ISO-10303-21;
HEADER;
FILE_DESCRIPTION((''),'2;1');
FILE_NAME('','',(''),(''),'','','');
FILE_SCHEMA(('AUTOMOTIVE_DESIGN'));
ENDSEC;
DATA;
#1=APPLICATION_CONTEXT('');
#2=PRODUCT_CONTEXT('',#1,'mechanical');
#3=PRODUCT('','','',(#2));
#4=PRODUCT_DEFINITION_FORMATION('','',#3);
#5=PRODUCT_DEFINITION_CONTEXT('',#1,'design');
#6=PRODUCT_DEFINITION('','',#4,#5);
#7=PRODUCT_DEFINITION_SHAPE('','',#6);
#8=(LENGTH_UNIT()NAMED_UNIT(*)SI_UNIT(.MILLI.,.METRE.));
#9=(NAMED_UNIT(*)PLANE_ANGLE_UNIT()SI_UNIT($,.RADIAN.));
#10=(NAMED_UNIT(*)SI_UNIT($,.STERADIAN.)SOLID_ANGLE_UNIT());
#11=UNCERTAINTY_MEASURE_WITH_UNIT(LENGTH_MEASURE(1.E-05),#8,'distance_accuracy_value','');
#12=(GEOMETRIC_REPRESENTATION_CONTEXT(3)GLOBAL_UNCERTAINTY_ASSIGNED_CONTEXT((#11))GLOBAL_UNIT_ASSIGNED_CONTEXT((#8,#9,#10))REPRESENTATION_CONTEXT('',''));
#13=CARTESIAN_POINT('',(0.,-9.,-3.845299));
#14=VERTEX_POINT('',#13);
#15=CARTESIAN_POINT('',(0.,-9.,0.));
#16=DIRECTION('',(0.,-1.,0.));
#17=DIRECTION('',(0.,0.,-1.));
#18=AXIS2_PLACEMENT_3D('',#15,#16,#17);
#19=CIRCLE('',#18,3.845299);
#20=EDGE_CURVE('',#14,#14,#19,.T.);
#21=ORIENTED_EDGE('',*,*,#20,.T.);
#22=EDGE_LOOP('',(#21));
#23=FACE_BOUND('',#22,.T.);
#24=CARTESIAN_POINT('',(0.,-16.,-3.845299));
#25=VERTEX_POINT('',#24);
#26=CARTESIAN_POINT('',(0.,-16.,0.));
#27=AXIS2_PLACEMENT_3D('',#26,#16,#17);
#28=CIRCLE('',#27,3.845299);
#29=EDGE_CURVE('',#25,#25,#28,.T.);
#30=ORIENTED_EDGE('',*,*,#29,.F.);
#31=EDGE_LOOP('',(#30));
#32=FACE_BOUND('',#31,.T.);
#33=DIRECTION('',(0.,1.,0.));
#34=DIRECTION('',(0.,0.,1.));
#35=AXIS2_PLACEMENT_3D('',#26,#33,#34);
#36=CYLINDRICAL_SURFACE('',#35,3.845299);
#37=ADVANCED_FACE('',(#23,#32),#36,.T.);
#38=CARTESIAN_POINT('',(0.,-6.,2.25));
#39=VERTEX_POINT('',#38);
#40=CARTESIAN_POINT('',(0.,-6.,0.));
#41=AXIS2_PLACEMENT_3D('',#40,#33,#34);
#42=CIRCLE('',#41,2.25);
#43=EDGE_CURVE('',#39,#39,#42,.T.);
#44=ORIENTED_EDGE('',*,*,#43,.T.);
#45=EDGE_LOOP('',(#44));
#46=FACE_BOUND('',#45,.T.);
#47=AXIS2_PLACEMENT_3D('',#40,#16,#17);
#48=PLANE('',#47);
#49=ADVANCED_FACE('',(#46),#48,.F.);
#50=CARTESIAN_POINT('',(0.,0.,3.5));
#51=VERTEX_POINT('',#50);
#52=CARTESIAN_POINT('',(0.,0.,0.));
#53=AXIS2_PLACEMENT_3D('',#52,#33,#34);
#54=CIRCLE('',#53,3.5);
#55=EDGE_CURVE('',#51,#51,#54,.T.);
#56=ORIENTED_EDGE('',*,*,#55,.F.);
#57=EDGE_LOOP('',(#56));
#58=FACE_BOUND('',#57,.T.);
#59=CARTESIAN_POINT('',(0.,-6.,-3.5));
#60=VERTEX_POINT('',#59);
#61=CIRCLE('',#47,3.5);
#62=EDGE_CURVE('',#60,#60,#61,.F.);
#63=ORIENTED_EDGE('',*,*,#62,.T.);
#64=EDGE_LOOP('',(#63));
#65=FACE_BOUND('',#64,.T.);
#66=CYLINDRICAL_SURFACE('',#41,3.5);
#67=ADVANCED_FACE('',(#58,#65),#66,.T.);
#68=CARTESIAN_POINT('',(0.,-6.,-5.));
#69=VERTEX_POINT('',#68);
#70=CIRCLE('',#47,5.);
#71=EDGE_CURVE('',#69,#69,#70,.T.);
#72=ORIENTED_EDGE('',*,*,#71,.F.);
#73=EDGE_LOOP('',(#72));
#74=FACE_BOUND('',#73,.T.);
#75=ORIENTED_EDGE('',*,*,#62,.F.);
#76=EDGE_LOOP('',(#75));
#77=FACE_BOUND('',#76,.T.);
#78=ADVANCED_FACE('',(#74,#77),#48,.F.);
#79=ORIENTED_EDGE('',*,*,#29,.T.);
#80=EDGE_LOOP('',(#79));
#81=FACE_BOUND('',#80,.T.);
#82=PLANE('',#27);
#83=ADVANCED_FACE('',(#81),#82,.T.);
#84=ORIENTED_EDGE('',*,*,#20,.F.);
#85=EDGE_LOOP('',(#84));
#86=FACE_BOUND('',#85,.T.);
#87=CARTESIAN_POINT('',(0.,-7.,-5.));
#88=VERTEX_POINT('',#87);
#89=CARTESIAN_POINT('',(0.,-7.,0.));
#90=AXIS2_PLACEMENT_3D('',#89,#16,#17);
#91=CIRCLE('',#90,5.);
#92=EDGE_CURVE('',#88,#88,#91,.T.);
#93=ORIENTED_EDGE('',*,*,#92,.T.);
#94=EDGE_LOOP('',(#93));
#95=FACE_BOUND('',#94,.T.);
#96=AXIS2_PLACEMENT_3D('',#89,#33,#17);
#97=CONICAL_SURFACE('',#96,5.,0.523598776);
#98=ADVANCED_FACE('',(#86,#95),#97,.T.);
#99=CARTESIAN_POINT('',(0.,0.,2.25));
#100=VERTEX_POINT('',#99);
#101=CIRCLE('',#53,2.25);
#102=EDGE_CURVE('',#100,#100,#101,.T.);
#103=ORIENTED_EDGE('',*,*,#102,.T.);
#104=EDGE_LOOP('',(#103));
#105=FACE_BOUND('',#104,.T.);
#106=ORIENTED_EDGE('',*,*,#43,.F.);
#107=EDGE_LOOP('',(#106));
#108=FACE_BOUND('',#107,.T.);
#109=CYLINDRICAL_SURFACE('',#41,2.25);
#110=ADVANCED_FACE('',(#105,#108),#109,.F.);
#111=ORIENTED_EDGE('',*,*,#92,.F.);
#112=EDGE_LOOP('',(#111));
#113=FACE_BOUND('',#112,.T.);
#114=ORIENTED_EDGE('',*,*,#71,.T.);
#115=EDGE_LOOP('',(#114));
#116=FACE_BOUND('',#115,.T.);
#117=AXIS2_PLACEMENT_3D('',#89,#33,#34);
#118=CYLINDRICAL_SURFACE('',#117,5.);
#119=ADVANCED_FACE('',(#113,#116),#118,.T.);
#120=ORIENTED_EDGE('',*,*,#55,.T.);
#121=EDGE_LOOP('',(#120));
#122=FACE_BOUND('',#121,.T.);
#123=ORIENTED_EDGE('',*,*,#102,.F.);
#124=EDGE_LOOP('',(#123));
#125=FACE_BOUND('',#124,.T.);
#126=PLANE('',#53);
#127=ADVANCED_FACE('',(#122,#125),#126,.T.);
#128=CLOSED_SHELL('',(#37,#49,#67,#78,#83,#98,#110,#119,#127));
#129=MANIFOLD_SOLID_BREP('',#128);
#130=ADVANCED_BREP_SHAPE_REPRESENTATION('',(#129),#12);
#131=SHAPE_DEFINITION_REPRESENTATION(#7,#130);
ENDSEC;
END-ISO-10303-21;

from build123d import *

# Parameters (mm, degrees)
SKETCH1_R           = 3.5
SKETCH1_R_2         = 2.25
BOSS_EXTRUDE1_DEPTH = 6
SKETCH2_R           = 5
BOSS_EXTRUDE2_DEPTH = 1
SKETCH4_R           = 5
BOSS_EXTRUDE4_DEPTH = 2
BOSS_EXTRUDE4_TAPER = 30
SKETCH5_R           = 3.845299462
BOSS_EXTRUDE5_DEPTH = 7


with BuildPart() as part:
    # Sketch1 → Boss-Extrude1 (new body)
    with BuildSketch(Plane(origin=(0, 0, 0), x_dir=(1, 0, 0), z_dir=(0, 1, 0))):
        Circle(SKETCH1_R)
        Circle(SKETCH1_R_2, mode=Mode.SUBTRACT)
    extrude(amount=-BOSS_EXTRUDE1_DEPTH)

    # Sketch2 → Boss-Extrude2 (add)
    with BuildSketch(Plane.XZ.offset(6)):
        Circle(SKETCH2_R)
    extrude(amount=BOSS_EXTRUDE2_DEPTH)

    # Sketch4 → Boss-Extrude4 (add)
    with BuildSketch(Plane.XZ.offset(7)):
        Circle(SKETCH4_R)
    extrude(amount=BOSS_EXTRUDE4_DEPTH, taper=BOSS_EXTRUDE4_TAPER)

    # Sketch5 → Boss-Extrude5 (add)
    with BuildSketch(Plane.XZ.offset(9)):
        Circle(SKETCH5_R)
    extrude(amount=BOSS_EXTRUDE5_DEPTH)


solid = part.part
